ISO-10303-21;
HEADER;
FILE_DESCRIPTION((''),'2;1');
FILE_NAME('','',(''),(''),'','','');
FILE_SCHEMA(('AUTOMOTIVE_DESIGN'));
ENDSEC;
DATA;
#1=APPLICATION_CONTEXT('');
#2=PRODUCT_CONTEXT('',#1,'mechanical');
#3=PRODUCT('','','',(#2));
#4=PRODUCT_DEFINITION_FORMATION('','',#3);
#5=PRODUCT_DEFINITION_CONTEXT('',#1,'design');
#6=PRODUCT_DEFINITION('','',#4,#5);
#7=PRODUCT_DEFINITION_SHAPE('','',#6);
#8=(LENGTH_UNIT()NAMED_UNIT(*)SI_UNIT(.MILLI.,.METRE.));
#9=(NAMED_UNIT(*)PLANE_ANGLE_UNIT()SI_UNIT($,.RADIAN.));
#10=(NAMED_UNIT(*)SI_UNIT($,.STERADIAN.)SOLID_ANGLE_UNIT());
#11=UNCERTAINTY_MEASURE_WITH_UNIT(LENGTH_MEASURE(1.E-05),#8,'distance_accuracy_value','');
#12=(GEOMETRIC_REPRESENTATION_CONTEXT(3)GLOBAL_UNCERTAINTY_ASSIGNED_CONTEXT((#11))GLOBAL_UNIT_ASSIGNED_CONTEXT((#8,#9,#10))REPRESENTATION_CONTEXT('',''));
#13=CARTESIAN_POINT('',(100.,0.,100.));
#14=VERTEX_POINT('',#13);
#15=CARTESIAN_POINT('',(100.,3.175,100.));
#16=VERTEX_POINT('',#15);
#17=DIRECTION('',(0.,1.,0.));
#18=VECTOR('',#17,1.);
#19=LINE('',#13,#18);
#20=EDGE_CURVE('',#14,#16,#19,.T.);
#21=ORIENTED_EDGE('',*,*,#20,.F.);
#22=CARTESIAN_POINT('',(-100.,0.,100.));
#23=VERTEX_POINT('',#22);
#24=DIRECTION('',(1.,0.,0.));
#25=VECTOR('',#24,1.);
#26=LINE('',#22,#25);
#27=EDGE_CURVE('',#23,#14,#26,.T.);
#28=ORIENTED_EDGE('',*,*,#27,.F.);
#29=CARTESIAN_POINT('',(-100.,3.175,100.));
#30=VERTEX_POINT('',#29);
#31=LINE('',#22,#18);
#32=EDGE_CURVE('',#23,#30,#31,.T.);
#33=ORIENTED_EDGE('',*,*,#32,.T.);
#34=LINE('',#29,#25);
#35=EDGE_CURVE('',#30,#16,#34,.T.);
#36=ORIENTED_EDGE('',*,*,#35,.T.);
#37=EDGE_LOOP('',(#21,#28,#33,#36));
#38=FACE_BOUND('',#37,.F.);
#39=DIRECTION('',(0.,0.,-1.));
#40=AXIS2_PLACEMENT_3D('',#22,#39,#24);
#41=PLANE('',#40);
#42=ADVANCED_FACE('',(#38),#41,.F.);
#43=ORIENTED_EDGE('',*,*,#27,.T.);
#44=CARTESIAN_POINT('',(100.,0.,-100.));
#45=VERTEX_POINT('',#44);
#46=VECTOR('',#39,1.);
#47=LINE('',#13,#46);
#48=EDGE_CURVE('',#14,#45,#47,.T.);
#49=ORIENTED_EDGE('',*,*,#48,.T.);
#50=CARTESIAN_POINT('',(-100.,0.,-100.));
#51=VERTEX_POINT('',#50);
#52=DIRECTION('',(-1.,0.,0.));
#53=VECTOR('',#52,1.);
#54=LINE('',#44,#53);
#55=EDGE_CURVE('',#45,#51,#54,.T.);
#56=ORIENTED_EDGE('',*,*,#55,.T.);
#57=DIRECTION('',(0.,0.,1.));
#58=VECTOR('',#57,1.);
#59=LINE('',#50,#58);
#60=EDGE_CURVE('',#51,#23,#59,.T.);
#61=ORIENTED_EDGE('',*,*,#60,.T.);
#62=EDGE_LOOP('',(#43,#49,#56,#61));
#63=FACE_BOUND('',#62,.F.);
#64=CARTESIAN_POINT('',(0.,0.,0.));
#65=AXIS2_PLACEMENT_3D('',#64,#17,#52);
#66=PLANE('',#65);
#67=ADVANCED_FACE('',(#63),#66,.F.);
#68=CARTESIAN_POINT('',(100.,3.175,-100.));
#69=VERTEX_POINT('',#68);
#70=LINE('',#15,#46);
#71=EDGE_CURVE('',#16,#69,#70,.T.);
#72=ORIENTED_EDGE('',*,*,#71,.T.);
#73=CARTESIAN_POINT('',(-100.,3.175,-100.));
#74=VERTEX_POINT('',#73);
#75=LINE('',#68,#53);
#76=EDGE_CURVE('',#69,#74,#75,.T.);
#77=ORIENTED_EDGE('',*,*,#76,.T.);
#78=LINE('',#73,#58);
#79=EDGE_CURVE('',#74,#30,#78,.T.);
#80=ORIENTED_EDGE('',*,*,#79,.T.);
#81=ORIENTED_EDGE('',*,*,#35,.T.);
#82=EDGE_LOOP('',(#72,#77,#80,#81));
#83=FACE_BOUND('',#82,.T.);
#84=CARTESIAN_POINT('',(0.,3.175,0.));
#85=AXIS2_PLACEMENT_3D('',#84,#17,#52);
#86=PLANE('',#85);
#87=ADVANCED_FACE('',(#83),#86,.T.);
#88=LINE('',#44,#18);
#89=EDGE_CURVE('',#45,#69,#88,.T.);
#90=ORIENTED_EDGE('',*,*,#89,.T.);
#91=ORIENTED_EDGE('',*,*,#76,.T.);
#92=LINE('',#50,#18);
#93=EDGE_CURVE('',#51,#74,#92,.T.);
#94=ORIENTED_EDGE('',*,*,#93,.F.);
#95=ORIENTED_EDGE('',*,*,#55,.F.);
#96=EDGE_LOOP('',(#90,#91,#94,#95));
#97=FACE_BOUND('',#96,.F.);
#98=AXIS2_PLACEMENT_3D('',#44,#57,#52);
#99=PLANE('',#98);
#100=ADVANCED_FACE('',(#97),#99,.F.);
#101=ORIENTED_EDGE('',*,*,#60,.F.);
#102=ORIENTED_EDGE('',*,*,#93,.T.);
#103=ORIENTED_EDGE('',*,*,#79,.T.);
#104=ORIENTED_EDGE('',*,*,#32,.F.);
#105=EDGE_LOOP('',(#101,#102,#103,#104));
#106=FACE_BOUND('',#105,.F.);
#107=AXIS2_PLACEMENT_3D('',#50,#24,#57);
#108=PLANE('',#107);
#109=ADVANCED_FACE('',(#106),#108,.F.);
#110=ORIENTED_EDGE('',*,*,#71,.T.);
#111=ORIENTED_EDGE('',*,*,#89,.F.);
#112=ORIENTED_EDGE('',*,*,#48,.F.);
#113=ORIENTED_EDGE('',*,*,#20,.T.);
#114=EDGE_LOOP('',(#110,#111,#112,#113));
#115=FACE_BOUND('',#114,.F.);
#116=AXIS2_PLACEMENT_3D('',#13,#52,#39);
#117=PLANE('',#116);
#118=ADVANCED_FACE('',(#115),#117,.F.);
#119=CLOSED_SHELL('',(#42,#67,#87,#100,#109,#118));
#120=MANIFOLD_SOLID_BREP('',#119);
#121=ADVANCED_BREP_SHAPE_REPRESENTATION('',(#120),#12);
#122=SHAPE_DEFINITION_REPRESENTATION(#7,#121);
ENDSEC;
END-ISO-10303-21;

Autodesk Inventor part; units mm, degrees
ref_plane "YZ Plane" through (0, 0, 0) normal (1, 0, 0) x (0, 1, 0)
ref_plane "XZ Plane" through (0, 0, 0) normal (0, 1, 0) x (-1, 0, 0)
ref_plane "XY Plane" through (0, 0, 0) normal (0, 0, 1) x (1, 0, 0)
sketch "Sketch1" plane through (0, 0, 0) normal (0, 1, 0) x (-1, 0, 0)
  line L0 (100, 100) -> (-100, 100)
  line L1 (-100, 100) -> (-100, -100)
  line L2 (-100, -100) -> (100, -100)
  line L3 (100, -100) -> (100, 100)
  line L4 (100, 100) -> (-100, -100) construction
  line L5 (-100, 100) -> (100, -100) construction
  point P0 (0, 0)
  dimension "d0" = 200
  dimension "d1" = 200
extrude "Extrusion1" add sketch "Sketch1" along normal blind 3.175
properties part number "HotBed_Glass_200x200_LM6017" material "Glass"
